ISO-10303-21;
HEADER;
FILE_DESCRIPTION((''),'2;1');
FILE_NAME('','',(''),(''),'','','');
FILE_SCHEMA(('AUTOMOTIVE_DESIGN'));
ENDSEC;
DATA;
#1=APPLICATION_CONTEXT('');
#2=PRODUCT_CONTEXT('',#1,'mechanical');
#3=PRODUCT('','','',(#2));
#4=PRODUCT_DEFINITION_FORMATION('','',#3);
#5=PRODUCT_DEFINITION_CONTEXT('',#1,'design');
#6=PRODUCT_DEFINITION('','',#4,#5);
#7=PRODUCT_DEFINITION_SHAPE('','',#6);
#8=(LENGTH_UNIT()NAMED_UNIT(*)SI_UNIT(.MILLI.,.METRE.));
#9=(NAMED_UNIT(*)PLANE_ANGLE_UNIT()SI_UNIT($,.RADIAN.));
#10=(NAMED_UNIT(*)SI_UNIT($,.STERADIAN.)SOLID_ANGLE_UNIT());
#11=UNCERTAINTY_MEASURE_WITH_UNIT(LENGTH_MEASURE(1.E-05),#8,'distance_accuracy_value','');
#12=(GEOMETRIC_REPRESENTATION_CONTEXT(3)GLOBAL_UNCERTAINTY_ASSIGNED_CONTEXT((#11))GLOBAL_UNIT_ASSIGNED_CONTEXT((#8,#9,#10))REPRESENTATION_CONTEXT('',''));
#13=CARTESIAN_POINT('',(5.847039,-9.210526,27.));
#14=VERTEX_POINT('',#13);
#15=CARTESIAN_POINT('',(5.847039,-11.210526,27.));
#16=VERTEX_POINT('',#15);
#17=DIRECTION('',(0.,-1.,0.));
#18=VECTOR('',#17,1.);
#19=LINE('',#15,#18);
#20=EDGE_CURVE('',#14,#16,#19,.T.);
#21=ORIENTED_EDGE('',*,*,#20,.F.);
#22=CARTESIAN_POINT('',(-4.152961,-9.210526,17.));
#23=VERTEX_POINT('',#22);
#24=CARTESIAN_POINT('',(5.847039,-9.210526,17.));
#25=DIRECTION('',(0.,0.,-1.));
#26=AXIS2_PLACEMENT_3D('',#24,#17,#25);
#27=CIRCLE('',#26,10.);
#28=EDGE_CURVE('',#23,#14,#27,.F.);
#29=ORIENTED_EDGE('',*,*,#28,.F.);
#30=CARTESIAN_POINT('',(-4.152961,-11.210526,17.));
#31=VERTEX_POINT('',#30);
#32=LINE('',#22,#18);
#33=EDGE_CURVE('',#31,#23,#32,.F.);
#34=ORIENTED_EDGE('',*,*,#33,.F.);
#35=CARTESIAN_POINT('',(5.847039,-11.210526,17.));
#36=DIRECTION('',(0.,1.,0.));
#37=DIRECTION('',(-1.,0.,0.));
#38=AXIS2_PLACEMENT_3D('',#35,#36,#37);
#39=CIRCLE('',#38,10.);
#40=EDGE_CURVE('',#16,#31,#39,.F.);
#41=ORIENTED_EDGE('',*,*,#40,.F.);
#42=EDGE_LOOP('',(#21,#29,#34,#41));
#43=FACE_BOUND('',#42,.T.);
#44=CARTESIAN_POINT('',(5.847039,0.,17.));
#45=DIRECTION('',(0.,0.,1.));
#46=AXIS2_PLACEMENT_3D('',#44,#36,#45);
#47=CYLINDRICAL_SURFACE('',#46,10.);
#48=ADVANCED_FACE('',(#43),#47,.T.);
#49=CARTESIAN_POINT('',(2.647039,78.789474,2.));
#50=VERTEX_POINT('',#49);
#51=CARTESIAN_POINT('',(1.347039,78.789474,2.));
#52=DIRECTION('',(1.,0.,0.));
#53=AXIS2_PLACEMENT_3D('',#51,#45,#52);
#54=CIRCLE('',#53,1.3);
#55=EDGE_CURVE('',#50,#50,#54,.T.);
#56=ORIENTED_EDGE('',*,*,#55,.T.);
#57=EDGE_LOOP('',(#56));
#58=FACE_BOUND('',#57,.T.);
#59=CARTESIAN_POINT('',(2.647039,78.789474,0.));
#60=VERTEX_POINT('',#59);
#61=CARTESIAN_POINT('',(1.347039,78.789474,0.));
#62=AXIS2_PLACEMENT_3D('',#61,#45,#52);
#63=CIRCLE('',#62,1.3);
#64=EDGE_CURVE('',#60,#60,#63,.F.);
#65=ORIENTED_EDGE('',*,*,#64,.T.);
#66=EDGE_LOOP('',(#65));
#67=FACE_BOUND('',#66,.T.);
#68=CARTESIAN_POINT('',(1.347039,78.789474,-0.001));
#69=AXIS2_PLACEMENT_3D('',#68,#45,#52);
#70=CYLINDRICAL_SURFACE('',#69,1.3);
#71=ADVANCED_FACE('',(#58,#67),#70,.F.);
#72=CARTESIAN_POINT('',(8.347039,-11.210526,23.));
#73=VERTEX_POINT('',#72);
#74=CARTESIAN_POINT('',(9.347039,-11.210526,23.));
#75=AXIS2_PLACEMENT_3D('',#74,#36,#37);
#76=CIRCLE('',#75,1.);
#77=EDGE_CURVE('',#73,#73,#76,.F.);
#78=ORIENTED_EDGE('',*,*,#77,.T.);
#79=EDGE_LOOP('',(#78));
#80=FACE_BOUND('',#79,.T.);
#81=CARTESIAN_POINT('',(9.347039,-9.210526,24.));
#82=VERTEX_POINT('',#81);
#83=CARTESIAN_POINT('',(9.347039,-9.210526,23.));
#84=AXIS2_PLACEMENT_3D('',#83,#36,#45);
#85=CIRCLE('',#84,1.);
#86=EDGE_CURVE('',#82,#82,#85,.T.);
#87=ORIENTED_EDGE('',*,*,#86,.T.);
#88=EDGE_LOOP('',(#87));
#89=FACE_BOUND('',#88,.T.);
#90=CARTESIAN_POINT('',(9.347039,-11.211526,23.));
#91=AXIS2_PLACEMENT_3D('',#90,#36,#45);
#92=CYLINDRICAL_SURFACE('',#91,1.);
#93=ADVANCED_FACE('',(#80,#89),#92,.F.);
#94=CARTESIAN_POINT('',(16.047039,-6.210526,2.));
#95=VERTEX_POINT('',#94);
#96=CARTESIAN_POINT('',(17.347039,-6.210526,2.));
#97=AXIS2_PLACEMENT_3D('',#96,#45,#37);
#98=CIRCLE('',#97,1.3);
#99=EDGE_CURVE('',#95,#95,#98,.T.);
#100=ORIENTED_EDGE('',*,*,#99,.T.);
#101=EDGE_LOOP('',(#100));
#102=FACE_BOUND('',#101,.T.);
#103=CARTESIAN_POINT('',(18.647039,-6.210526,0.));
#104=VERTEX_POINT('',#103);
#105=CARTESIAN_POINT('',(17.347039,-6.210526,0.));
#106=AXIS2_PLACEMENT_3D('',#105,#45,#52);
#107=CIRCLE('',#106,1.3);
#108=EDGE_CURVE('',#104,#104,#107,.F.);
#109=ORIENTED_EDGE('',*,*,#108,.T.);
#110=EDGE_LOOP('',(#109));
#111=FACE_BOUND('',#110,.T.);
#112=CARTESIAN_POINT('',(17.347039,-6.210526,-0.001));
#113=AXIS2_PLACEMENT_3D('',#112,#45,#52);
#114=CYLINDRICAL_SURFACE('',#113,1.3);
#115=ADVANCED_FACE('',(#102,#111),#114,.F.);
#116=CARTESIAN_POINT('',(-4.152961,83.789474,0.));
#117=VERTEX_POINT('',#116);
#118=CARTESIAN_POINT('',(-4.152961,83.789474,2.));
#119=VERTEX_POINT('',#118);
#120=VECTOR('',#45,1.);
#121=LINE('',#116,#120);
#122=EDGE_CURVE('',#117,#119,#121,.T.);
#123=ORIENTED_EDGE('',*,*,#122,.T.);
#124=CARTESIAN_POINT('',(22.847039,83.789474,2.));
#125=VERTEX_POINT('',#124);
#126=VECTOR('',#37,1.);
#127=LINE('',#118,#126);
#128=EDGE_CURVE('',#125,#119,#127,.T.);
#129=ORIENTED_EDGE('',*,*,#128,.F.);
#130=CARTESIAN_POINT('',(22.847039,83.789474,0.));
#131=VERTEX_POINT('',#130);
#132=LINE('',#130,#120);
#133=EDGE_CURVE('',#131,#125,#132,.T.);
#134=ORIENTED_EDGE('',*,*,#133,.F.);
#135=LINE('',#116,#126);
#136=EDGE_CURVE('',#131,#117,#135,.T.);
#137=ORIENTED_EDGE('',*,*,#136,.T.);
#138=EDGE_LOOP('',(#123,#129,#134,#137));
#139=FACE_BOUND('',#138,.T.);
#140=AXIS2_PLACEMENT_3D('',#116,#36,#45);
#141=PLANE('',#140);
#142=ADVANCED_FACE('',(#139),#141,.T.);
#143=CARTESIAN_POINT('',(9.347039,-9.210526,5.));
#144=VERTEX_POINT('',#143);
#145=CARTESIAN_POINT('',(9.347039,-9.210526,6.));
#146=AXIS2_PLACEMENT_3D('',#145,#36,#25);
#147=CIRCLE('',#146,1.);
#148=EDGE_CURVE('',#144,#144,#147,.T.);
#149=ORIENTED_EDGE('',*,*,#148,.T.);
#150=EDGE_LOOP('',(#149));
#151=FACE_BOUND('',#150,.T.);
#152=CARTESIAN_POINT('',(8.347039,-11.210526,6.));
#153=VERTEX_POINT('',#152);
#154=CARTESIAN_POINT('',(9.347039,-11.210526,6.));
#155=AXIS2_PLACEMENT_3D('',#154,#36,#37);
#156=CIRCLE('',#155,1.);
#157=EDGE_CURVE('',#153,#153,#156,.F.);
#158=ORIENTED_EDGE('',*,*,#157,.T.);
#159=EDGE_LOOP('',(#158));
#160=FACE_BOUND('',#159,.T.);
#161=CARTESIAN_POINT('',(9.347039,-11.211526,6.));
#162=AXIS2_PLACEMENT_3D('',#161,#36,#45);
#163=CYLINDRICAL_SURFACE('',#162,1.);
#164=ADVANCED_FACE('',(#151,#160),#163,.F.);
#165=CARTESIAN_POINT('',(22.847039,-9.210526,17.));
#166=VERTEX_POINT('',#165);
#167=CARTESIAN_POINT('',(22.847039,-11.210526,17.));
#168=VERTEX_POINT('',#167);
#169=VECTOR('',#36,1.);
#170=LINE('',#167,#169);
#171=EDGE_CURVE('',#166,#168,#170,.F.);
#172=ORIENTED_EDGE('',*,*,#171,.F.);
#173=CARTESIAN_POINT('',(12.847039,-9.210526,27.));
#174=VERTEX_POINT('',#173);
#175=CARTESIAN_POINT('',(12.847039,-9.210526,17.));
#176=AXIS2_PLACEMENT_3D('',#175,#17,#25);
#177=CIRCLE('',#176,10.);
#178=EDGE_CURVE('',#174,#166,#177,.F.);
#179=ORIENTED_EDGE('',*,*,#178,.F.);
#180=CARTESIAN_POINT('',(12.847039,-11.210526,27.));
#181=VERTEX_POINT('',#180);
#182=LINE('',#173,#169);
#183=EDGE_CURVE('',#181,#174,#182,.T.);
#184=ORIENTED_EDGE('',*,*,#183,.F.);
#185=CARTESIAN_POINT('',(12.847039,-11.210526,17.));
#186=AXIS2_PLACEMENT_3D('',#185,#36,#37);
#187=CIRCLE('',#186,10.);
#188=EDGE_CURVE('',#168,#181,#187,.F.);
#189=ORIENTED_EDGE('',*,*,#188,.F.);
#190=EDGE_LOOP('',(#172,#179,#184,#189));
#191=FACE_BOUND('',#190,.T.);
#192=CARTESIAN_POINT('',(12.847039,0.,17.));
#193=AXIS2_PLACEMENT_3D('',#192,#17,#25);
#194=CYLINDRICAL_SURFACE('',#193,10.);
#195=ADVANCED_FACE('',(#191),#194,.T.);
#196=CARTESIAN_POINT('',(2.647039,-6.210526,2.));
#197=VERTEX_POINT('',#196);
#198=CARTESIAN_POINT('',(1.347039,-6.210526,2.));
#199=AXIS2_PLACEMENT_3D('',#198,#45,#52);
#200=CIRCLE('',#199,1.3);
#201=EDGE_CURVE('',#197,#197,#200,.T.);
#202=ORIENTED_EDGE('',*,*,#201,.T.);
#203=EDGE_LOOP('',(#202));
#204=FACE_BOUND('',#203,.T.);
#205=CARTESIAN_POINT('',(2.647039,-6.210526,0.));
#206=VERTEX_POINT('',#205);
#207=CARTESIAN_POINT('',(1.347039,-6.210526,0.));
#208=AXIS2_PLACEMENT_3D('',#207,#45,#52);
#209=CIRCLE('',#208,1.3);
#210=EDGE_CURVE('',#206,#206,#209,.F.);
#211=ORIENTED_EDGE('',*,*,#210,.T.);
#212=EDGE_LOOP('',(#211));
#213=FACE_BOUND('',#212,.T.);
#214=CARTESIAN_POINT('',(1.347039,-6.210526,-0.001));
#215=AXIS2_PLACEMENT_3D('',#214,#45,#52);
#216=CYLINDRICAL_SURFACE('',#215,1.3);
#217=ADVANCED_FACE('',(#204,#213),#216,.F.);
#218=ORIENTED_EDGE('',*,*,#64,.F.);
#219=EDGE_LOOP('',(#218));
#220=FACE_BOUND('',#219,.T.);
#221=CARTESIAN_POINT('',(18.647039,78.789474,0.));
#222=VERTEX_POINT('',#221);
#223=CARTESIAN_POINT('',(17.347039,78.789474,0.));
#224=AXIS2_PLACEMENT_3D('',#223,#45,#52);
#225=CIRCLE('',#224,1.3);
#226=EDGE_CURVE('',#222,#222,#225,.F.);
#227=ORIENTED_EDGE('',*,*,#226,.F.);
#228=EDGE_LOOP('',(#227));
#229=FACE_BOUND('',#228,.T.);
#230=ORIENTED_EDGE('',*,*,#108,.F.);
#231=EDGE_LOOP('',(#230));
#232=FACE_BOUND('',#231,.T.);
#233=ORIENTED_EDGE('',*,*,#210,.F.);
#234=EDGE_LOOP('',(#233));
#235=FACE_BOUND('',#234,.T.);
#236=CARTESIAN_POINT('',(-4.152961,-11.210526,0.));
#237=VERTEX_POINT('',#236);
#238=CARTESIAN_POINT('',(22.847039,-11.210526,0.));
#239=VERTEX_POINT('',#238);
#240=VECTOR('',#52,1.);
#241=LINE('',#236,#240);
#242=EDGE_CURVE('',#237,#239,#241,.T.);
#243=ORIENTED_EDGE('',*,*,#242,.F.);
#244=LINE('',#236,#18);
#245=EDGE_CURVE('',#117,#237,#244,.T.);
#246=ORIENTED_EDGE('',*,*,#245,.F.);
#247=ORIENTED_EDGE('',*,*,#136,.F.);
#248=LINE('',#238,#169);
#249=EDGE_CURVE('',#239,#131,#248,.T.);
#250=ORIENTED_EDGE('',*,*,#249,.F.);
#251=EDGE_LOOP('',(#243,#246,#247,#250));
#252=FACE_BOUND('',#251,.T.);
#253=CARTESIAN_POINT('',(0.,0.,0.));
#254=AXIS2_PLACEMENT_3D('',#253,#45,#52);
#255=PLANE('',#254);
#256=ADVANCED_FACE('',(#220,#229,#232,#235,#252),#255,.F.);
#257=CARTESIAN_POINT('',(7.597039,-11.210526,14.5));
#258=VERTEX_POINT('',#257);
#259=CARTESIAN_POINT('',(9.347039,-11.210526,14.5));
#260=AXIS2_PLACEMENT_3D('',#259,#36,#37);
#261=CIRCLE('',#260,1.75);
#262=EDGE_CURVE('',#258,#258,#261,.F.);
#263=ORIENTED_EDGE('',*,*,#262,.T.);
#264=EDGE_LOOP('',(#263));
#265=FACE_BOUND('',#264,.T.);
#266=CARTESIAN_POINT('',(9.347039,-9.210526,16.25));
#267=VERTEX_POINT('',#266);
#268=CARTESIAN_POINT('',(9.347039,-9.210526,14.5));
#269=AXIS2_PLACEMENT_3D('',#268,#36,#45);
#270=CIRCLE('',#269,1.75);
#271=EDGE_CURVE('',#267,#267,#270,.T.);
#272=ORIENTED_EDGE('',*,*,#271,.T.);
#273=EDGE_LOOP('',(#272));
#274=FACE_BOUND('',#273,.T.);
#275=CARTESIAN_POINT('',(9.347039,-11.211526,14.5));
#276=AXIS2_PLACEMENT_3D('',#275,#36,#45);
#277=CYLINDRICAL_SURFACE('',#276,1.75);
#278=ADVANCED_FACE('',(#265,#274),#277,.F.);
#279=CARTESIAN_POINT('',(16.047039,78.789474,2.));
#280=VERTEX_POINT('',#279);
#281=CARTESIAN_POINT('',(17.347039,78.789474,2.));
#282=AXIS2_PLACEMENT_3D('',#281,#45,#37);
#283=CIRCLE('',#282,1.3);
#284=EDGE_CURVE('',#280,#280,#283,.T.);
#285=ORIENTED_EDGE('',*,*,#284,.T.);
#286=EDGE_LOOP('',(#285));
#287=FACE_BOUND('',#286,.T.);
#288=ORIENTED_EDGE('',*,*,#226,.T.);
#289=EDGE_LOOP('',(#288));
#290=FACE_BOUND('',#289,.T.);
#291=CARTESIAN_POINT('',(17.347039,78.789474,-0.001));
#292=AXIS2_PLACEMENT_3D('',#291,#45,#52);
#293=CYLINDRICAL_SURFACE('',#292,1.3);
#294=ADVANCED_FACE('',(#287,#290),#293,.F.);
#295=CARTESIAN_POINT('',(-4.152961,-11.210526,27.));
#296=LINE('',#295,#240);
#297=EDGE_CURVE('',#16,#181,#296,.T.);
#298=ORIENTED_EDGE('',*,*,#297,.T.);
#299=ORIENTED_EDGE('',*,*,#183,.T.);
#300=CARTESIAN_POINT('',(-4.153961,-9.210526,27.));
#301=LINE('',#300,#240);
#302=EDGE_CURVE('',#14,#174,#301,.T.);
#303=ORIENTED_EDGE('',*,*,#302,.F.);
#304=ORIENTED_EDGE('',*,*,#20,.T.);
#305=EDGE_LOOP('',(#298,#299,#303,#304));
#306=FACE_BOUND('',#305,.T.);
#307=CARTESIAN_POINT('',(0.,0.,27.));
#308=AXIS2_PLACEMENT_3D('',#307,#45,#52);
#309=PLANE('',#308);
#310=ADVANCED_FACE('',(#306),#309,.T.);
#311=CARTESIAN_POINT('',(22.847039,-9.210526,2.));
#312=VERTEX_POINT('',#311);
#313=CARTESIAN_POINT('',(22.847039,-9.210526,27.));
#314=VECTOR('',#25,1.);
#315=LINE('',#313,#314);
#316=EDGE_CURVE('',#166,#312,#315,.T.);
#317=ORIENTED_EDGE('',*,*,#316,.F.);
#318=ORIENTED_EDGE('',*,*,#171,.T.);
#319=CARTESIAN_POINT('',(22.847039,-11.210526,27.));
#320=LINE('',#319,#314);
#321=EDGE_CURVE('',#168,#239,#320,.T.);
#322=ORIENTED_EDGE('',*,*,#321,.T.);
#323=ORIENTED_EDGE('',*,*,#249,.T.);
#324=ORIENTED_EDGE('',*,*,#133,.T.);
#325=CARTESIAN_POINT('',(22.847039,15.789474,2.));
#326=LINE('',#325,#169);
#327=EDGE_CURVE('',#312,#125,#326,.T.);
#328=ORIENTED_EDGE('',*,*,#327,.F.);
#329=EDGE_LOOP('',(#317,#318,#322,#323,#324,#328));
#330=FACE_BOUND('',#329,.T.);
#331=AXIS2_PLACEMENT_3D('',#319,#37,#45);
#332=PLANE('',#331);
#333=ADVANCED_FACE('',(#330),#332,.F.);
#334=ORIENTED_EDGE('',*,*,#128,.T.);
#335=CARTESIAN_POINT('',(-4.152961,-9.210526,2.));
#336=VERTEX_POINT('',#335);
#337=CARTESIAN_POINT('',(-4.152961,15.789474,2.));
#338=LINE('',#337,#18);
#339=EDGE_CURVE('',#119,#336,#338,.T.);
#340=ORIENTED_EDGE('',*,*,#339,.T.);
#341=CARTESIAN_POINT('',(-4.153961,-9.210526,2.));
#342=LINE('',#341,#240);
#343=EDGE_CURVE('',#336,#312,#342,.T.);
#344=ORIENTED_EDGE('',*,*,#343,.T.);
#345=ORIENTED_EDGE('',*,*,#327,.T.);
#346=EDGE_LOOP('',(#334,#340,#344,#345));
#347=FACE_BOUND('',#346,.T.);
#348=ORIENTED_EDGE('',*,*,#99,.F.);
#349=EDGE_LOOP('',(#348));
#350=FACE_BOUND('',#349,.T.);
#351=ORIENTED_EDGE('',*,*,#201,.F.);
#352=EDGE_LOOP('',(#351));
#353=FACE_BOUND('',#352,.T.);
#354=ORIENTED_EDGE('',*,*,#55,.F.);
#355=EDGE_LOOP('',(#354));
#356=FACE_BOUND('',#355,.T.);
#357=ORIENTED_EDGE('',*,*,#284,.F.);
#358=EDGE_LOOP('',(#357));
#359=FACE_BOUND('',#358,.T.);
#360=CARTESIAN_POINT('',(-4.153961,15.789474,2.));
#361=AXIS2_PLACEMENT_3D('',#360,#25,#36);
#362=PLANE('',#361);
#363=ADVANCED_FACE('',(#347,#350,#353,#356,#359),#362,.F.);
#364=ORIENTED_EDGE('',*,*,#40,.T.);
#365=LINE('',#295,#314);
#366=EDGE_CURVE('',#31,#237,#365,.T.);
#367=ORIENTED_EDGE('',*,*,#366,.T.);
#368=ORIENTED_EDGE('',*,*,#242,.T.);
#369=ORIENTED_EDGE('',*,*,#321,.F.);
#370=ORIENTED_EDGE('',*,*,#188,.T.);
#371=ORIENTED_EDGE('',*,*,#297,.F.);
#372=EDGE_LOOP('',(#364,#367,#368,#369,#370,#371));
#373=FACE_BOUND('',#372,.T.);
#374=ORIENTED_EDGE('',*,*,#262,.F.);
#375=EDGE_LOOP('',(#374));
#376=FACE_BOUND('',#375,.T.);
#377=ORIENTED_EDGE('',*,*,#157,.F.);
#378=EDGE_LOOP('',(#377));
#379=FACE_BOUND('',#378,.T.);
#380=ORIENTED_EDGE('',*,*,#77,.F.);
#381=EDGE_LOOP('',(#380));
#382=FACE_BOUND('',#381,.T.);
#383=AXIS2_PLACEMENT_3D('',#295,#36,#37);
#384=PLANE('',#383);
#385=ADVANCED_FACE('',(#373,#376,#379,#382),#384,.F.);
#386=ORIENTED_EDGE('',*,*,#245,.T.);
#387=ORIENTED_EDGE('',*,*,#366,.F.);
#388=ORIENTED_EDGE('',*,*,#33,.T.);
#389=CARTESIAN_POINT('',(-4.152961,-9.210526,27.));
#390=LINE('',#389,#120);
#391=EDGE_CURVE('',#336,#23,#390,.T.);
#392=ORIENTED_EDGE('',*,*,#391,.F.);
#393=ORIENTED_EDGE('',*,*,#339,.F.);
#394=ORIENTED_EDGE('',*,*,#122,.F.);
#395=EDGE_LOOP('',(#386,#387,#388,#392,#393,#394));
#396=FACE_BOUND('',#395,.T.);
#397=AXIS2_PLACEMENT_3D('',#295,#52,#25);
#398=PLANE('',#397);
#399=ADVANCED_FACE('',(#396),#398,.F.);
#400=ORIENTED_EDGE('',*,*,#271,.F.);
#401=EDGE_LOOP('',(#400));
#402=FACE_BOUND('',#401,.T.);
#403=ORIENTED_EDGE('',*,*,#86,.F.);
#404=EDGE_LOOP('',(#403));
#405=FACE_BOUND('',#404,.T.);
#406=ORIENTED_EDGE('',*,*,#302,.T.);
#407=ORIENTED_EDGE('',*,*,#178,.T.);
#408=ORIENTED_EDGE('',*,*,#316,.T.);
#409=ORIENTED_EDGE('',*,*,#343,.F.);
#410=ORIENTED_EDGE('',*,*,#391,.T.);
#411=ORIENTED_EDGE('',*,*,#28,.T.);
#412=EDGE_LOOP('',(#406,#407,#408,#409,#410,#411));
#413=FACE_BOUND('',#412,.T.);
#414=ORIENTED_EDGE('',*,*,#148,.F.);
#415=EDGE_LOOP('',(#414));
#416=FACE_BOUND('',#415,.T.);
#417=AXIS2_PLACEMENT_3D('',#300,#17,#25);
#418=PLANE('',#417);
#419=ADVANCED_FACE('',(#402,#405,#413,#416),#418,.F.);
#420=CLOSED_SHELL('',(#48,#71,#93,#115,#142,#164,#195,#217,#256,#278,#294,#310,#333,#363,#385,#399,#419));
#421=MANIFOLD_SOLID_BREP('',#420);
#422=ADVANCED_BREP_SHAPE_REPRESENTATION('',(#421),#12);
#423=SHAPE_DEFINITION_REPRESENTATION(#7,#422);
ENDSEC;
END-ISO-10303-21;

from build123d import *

# Parameters (mm, degrees)
SKETCH1_W           = 27
SKETCH1_H           = 27
BOSS_EXTRUDE1_DEPTH = 27
CUT_EXTRUDE1_REACH  = 43.32
SKETCH2_W           = 25
SKETCH2_H           = 25
CUT_EXTRUDE2_REACH  = 45.313
SKETCH3_R           = 1.75
SKETCH3_R_2         = 1
SKETCH4_W           = 27
SKETCH4_H           = 68
BOSS_EXTRUDE2_DEPTH = 2
CUT_EXTRUDE3_REACH  = 92.375
SKETCH5_R           = 1.3
FILLET1_R           = 10


with BuildPart() as part:
    # Sketch1 → Boss-Extrude1 (new body)
    with BuildSketch(Plane(origin=(0, 0, 0), x_dir=(0, 1, 0), z_dir=(0, 0, 1))):
        with Locations((2.289473684, -9.347039474)):
            Rectangle(SKETCH1_W, SKETCH1_H)
    extrude(amount=BOSS_EXTRUDE1_DEPTH)

    # Sketch2 → Cut-Extrude1 (cut, up to next)
    with BuildSketch(Plane.YZ.offset(22.847039474), mode=Mode.PRIVATE) as cut_extrude1_sk1:
        with Locations((3.289473684, 14.5)):
            Rectangle(SKETCH2_W, SKETCH2_H)
    cut_extrude1_tool1 = extrude(cut_extrude1_sk1.sketch, amount=-CUT_EXTRUDE1_REACH, mode=Mode.PRIVATE) & part.part
    add(cut_extrude1_tool1.solids().sort_by_distance((22.847039, 3.289474, 14.5))[0], mode=Mode.SUBTRACT)

    # Sketch3 → Cut-Extrude2 (cut, up to next)
    with BuildSketch(Plane(origin=(0, -9.210526316, 0), x_dir=(-1, 0, 0), z_dir=(0, 1, 0)), mode=Mode.PRIVATE) as cut_extrude2_sk1:
        with Locations(Location((-9.347039474, 14.5, 0), (0, 0, 90))):
            Circle(SKETCH3_R)
    cut_extrude2_tool1 = extrude(cut_extrude2_sk1.sketch, amount=-CUT_EXTRUDE2_REACH, mode=Mode.PRIVATE) & part.part
    # Sketch3 → Cut-Extrude2 (cut, up to next)
    with BuildSketch(Plane(origin=(0, -9.210526316, 0), x_dir=(-1, 0, 0), z_dir=(0, 1, 0)), mode=Mode.PRIVATE) as cut_extrude2_sk2:
        with Locations(Location((-9.347039474, 23, 0), (0, 0, 90))):
            Circle(SKETCH3_R_2)
    cut_extrude2_tool2 = extrude(cut_extrude2_sk2.sketch, amount=-CUT_EXTRUDE2_REACH, mode=Mode.PRIVATE) & part.part
    # Sketch3 → Cut-Extrude2 (cut, up to next)
    with BuildSketch(Plane(origin=(0, -9.210526316, 0), x_dir=(-1, 0, 0), z_dir=(0, 1, 0)), mode=Mode.PRIVATE) as cut_extrude2_sk3:
        with Locations((-9.347039474, 6)):
            Circle(SKETCH3_R_2)
    cut_extrude2_tool3 = extrude(cut_extrude2_sk3.sketch, amount=-CUT_EXTRUDE2_REACH, mode=Mode.PRIVATE) & part.part
    add(cut_extrude2_tool1.solids().sort_by_distance((9.347039, -9.210526, 14.5))[0], mode=Mode.SUBTRACT)
    add(cut_extrude2_tool2.solids().sort_by_distance((9.347039, -9.210526, 23))[0], mode=Mode.SUBTRACT)
    add(cut_extrude2_tool3.solids().sort_by_distance((9.347039, -9.210526, 6))[0], mode=Mode.SUBTRACT)

    # Sketch4 → Boss-Extrude2 (add)
    with BuildSketch(Plane.XY.offset(2)):
        with Locations((9.347039474, 49.789473684)):
            Rectangle(SKETCH4_W, SKETCH4_H)
    extrude(amount=-BOSS_EXTRUDE2_DEPTH)

    # Sketch5 → Cut-Extrude3 (cut, up to next)
    with BuildSketch(Plane.XY.offset(2), mode=Mode.PRIVATE) as cut_extrude3_sk1:
        with Locations((1.347039474, -6.210526316)):
            Circle(SKETCH5_R)
    cut_extrude3_tool1 = extrude(cut_extrude3_sk1.sketch, amount=-CUT_EXTRUDE3_REACH, mode=Mode.PRIVATE) & part.part
    # Sketch5 → Cut-Extrude3 (cut, up to next)
    with BuildSketch(Plane.XY.offset(2), mode=Mode.PRIVATE) as cut_extrude3_sk2:
        with Locations((1.347039474, 78.789473684)):
            Circle(SKETCH5_R)
    cut_extrude3_tool2 = extrude(cut_extrude3_sk2.sketch, amount=-CUT_EXTRUDE3_REACH, mode=Mode.PRIVATE) & part.part
    # Sketch5 → Cut-Extrude3 (cut, up to next)
    with BuildSketch(Plane.XY.offset(2), mode=Mode.PRIVATE) as cut_extrude3_sk3:
        with Locations((17.347039474, -6.210526316)):
            Circle(SKETCH5_R)
    cut_extrude3_tool3 = extrude(cut_extrude3_sk3.sketch, amount=-CUT_EXTRUDE3_REACH, mode=Mode.PRIVATE) & part.part
    # Sketch5 → Cut-Extrude3 (cut, up to next)
    with BuildSketch(Plane.XY.offset(2), mode=Mode.PRIVATE) as cut_extrude3_sk4:
        with Locations((17.347039474, 78.789473684)):
            Circle(SKETCH5_R)
    cut_extrude3_tool4 = extrude(cut_extrude3_sk4.sketch, amount=-CUT_EXTRUDE3_REACH, mode=Mode.PRIVATE) & part.part
    add(cut_extrude3_tool1.solids().sort_by_distance((1.347039, -6.210526, 2))[0], mode=Mode.SUBTRACT)
    add(cut_extrude3_tool2.solids().sort_by_distance((1.347039, 78.789474, 2))[0], mode=Mode.SUBTRACT)
    add(cut_extrude3_tool3.solids().sort_by_distance((17.347039, -6.210526, 2))[0], mode=Mode.SUBTRACT)
    add(cut_extrude3_tool4.solids().sort_by_distance((17.347039, 78.789474, 2))[0], mode=Mode.SUBTRACT)

    # Fillet1
    fillet1_edges = [part.edges().sort_by_distance(p)[0] for p in [
        (-4.152960526, -10.210526316, 27),
        (22.847039474, -10.210526316, 27),
    ]]
    fillet(fillet1_edges, radius=FILLET1_R)


solid = part.part
